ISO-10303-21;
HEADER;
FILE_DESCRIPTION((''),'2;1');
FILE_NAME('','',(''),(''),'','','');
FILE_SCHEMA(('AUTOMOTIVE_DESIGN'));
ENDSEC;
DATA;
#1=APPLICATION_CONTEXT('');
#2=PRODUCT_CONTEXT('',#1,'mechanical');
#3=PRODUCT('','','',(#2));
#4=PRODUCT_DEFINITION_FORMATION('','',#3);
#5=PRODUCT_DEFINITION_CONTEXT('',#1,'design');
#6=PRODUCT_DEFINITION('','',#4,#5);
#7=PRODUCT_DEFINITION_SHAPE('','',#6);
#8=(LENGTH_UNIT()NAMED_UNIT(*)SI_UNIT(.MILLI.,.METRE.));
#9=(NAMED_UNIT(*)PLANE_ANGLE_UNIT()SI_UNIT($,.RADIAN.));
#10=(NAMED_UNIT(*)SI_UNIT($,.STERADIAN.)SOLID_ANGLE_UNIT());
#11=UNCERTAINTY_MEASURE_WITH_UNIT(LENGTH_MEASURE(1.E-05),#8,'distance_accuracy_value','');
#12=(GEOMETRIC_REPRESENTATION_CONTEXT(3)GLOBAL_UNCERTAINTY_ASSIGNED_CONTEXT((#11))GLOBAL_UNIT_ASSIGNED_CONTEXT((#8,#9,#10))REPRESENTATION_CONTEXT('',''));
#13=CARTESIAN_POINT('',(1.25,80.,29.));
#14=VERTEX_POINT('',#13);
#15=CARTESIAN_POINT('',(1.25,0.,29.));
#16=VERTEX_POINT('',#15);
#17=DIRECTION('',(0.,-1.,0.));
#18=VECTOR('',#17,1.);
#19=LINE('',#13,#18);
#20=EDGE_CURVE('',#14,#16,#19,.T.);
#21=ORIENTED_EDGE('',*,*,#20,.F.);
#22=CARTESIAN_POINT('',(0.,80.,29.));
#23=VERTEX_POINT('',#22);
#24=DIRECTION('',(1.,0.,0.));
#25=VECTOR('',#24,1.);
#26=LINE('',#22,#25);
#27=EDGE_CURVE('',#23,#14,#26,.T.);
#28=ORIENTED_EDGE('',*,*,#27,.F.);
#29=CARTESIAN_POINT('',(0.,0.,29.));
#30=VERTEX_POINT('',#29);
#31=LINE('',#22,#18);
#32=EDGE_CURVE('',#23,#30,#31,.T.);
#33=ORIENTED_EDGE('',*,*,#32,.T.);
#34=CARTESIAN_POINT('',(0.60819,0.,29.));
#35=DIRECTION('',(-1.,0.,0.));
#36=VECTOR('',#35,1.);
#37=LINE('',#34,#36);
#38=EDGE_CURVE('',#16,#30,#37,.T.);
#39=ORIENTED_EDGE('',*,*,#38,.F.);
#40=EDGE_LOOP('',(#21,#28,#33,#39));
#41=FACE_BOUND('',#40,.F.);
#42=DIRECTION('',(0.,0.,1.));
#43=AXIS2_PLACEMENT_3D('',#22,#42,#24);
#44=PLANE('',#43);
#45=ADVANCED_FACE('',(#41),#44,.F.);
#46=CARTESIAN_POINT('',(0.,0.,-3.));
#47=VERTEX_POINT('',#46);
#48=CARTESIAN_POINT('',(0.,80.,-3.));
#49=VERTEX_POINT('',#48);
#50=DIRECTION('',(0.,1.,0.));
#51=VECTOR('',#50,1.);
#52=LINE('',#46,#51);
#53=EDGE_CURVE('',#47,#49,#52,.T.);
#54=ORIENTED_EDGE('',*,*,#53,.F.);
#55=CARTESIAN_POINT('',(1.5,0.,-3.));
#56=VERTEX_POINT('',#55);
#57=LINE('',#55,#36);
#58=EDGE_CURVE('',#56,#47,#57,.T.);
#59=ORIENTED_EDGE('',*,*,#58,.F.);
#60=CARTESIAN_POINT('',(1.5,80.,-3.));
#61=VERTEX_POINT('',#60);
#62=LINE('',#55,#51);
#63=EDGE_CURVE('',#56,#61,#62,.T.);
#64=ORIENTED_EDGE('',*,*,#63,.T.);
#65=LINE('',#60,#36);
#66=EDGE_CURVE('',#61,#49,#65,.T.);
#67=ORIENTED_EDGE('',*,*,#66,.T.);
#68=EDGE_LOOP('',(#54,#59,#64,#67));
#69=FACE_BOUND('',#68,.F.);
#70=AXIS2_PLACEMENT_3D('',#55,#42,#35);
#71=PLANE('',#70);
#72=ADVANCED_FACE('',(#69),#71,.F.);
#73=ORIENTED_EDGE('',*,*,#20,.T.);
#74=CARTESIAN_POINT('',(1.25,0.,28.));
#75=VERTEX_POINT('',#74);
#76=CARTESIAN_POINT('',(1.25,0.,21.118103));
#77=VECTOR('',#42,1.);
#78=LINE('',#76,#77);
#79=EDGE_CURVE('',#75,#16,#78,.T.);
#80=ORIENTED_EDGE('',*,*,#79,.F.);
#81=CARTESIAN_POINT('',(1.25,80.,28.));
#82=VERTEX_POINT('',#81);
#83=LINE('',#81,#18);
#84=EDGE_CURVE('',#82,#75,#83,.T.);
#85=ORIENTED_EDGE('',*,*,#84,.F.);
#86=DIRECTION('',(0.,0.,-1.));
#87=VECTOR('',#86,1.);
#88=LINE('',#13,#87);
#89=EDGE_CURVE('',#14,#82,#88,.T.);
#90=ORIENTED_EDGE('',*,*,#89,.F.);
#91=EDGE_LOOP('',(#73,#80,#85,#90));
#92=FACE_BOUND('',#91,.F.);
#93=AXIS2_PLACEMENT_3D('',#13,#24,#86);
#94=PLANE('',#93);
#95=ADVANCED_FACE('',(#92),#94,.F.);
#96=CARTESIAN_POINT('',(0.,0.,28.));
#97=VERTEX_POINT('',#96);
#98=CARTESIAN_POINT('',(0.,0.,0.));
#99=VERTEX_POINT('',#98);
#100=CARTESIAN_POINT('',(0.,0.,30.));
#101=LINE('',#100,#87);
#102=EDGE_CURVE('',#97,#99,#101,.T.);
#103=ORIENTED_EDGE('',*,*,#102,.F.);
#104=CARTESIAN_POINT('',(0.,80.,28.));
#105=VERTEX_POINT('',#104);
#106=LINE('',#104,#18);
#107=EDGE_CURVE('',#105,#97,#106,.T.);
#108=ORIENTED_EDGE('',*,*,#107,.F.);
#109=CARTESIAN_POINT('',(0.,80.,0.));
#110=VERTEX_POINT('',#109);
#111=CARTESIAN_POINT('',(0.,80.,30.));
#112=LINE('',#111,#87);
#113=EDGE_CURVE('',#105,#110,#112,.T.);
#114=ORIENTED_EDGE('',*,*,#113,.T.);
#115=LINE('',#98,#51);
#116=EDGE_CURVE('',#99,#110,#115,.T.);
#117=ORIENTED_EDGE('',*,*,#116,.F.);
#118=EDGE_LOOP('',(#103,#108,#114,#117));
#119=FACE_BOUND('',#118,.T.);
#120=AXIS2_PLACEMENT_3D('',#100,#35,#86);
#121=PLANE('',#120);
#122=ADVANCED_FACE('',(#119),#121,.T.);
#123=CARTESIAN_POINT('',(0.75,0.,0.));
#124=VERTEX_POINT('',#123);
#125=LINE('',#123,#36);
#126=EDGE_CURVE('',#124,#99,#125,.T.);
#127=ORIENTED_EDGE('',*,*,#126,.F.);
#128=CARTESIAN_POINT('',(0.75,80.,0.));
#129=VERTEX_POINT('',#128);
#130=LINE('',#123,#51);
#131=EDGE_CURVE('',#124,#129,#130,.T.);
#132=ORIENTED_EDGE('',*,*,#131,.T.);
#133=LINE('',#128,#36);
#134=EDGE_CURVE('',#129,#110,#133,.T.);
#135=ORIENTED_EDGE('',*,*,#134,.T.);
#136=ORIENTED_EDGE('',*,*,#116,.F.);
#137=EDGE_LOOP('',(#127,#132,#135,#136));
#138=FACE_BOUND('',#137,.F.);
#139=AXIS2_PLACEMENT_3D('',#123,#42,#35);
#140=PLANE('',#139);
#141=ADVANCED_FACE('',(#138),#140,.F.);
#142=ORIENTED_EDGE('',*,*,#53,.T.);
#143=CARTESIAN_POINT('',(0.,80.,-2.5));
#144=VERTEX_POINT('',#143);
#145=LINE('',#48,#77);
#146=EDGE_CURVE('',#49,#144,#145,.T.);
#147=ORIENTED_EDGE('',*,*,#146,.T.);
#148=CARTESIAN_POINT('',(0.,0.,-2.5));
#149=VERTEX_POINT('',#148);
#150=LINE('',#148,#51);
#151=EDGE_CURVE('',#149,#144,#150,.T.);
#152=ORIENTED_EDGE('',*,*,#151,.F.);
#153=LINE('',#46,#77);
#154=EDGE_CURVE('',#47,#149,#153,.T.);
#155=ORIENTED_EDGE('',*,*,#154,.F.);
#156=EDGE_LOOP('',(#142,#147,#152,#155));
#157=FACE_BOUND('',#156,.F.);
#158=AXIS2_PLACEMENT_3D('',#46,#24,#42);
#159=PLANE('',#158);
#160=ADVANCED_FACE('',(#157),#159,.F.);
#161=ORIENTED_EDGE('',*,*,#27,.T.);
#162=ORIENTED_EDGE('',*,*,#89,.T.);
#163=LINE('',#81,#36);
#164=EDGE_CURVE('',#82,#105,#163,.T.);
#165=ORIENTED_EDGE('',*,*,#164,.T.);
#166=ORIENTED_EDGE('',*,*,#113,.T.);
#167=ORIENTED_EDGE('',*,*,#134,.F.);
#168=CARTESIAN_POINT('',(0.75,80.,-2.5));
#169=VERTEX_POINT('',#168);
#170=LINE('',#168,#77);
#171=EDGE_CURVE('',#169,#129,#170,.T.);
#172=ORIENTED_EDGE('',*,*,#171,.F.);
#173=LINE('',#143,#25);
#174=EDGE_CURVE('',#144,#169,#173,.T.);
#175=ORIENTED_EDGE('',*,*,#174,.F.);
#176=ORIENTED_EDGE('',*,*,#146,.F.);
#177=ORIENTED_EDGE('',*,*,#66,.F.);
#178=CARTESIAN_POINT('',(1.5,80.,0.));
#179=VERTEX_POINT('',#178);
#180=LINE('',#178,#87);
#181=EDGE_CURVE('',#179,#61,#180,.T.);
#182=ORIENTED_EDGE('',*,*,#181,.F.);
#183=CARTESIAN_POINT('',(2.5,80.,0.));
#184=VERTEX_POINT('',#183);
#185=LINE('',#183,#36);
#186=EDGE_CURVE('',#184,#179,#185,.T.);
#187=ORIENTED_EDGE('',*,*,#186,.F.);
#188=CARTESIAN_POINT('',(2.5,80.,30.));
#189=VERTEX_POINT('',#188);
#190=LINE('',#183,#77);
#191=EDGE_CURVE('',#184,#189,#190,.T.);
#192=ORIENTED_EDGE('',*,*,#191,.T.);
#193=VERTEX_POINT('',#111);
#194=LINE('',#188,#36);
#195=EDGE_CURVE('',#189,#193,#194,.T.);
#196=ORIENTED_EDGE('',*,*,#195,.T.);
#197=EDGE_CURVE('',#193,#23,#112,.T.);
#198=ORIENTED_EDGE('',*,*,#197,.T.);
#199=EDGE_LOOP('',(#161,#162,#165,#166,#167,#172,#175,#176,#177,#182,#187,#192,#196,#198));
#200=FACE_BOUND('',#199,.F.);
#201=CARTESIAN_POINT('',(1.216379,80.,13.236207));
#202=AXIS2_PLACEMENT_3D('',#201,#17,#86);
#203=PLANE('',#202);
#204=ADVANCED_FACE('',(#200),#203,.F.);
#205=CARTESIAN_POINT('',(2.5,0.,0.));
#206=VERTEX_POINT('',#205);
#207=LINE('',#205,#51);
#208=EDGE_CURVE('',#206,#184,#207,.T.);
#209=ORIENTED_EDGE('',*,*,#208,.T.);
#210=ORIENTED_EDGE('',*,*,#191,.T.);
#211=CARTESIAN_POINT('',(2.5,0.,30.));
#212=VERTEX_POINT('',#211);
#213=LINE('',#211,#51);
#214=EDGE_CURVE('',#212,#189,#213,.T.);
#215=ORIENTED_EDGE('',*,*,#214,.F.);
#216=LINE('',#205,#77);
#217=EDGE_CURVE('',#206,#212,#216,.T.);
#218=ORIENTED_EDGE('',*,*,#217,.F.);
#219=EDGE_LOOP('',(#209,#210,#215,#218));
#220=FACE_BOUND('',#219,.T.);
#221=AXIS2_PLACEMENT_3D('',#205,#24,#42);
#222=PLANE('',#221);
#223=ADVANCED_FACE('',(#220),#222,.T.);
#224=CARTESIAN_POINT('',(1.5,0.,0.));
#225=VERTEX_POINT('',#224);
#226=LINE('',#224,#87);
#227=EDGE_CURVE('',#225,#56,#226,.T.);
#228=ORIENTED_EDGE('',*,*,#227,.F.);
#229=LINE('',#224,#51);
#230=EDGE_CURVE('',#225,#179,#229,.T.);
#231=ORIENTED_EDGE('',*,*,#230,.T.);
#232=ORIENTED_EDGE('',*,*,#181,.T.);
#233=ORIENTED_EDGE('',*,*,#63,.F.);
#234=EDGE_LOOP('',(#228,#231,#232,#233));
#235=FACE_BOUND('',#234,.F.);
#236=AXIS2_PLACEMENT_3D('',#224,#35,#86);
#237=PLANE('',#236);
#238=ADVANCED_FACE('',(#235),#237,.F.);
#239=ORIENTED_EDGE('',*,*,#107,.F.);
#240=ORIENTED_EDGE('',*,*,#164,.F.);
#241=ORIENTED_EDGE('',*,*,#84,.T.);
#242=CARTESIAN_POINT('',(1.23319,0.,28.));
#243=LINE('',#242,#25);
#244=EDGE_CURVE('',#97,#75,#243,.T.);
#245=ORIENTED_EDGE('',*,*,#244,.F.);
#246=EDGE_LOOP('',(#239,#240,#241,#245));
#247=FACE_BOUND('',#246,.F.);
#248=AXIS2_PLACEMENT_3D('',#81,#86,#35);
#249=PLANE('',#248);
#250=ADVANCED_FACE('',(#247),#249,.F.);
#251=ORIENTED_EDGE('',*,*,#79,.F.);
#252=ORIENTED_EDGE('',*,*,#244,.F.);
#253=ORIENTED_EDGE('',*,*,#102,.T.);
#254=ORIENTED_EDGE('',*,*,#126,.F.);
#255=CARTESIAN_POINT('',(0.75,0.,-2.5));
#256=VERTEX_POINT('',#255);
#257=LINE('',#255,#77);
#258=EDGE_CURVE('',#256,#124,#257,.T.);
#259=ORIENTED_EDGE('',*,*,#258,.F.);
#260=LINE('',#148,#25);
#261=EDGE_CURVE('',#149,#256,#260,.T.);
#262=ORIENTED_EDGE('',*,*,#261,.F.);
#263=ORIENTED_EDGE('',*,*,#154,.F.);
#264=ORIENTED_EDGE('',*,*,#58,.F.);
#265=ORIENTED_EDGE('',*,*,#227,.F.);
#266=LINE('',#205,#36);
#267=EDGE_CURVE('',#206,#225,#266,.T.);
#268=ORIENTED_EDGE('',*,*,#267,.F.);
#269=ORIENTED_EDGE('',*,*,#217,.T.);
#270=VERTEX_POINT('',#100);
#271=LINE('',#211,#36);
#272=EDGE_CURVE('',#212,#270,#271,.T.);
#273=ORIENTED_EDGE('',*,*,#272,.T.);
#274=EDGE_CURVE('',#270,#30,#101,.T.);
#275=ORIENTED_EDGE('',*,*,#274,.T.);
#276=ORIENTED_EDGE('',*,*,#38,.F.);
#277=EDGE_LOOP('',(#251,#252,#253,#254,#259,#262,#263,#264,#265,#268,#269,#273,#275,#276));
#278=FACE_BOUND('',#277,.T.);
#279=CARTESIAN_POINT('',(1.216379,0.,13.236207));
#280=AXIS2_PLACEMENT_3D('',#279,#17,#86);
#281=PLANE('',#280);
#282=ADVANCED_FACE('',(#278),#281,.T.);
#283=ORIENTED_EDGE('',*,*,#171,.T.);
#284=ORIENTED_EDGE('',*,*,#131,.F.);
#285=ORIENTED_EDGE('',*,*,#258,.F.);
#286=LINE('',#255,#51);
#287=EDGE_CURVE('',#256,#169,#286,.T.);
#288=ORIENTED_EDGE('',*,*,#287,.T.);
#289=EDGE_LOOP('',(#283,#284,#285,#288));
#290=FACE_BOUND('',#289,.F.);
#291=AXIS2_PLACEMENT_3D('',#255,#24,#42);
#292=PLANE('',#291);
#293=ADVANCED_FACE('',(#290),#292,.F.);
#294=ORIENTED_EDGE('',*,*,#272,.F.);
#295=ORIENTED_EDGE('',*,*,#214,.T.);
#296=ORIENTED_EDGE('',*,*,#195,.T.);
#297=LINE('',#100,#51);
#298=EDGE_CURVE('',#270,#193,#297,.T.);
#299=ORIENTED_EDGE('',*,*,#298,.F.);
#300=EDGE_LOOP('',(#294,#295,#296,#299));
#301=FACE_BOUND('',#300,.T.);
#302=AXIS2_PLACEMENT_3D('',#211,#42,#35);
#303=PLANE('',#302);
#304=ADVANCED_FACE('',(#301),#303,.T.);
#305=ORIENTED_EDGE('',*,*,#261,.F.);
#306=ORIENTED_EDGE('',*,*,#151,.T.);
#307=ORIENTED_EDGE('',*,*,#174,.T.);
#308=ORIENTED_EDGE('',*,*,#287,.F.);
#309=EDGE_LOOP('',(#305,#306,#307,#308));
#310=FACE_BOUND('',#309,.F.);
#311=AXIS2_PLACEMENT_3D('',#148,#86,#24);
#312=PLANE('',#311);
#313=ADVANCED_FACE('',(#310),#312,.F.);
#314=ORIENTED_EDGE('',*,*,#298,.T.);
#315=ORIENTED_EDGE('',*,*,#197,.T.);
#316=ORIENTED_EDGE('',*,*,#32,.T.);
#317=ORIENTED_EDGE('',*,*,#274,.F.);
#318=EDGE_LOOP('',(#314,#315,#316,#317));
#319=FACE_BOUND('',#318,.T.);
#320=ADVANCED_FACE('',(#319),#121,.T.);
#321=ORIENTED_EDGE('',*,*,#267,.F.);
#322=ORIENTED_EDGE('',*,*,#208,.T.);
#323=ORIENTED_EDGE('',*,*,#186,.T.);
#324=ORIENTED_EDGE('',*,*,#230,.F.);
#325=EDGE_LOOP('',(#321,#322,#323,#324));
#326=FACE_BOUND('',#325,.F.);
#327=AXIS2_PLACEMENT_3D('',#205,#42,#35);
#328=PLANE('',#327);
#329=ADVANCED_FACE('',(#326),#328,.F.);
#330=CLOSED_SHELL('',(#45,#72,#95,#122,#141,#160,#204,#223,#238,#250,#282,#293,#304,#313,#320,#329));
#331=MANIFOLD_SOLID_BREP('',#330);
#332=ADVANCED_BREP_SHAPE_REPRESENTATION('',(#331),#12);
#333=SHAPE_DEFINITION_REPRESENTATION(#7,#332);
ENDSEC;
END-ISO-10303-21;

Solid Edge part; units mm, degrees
sketch "Sketch1" plane through (0, 0, 0) normal (0, -1, 0) x (1, 0, 0)
  line L0 (0, 30) -> (0, 0)
  line L1 (0.75, 0) -> (0, 0)
  line L2 (0.75, -2.5) -> (0.75, 0)
  line L3 (0, -2.5) -> (0.75, -2.5)
  line L4 (0, -3) -> (0, -2.5)
  line L5 (1.5, -3) -> (0, -3)
  line L6 (1.5, 0) -> (1.5, -3)
  line L7 (2.5, 0) -> (1.5, 0)
  line L8 (2.5, 0) -> (2.5, 30)
  line L9 (2.5, 30) -> (0, 30)
extrude "Protrusion1" add sketch "Sketch1" against normal blind 80
sketch "Sketch2" plane through (1.25, 80, 13.5) normal (0, 1, 0) x (0, 0, 1)
  line L0 (15.5, -1.25) -> (15.5, 0)
  line L1 (15.5, 0) -> (14.5, 0)
  line L2 (14.5, 0) -> (14.5, -1.25)
extrude "Vyříznutí_1" cut sketch "Sketch2" against normal blind 110.5 material side at (0.625, 80, 28.95)
extrude "Protrusion2" [suppressed]
extrude "Cutout1" [suppressed]
extrude "Cutout2" [suppressed]
extrude "Vyříznutí_5" [suppressed]
extrude "Vyříznutí_6" [suppressed]
